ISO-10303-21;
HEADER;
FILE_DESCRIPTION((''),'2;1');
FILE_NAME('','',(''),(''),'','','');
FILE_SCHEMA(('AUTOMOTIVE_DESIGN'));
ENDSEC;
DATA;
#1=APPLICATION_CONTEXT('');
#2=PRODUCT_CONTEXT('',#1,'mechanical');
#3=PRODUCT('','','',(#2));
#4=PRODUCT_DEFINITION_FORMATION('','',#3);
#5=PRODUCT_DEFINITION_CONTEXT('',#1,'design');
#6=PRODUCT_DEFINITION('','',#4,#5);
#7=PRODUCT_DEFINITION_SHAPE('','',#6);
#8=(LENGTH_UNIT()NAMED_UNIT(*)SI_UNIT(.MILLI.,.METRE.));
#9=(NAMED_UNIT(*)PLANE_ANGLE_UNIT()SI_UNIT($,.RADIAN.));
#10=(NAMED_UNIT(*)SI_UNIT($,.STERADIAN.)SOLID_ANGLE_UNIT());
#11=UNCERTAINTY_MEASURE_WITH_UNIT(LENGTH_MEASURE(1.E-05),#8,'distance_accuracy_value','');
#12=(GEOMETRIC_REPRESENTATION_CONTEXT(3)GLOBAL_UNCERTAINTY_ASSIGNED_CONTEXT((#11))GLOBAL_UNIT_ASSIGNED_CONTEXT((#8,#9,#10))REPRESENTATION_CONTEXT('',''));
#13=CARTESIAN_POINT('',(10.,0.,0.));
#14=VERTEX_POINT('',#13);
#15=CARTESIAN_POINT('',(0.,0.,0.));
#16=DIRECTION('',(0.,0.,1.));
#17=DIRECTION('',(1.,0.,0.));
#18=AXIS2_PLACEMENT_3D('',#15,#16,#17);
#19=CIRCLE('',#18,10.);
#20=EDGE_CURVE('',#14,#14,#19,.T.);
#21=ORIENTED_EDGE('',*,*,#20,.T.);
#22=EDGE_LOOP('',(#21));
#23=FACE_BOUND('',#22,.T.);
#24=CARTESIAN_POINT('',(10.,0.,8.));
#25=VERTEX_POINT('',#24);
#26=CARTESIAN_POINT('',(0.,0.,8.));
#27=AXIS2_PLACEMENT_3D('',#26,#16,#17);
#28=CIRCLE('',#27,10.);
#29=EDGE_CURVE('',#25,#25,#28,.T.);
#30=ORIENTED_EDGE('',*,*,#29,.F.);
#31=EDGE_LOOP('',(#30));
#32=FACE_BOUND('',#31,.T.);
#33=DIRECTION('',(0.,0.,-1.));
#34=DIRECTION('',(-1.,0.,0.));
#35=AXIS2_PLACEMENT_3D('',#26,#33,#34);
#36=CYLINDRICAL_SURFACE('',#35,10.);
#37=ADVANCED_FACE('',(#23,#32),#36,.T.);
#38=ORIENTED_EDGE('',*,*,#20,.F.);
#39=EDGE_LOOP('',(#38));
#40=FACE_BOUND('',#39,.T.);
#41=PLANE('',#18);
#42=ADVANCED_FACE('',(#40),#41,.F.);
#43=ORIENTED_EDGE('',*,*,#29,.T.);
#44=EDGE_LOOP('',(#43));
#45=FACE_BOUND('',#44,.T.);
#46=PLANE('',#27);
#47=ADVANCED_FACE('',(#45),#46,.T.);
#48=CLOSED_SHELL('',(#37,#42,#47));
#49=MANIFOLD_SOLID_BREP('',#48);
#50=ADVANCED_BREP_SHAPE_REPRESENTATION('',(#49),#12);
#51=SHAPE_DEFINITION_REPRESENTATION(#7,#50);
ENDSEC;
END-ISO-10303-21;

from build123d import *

# Parameters (mm, degrees)
SKETCH1_R                        = 10
OVD_QUALIFICATIONEXTRUSION_DEPTH = 8


with BuildPart() as part:
    # Sketch1 → OVD_QualificationExtrusion (new body)
    with BuildSketch(Plane.XY):
        Circle(SKETCH1_R)
    extrude(amount=OVD_QUALIFICATIONEXTRUSION_DEPTH)


solid = part.part
